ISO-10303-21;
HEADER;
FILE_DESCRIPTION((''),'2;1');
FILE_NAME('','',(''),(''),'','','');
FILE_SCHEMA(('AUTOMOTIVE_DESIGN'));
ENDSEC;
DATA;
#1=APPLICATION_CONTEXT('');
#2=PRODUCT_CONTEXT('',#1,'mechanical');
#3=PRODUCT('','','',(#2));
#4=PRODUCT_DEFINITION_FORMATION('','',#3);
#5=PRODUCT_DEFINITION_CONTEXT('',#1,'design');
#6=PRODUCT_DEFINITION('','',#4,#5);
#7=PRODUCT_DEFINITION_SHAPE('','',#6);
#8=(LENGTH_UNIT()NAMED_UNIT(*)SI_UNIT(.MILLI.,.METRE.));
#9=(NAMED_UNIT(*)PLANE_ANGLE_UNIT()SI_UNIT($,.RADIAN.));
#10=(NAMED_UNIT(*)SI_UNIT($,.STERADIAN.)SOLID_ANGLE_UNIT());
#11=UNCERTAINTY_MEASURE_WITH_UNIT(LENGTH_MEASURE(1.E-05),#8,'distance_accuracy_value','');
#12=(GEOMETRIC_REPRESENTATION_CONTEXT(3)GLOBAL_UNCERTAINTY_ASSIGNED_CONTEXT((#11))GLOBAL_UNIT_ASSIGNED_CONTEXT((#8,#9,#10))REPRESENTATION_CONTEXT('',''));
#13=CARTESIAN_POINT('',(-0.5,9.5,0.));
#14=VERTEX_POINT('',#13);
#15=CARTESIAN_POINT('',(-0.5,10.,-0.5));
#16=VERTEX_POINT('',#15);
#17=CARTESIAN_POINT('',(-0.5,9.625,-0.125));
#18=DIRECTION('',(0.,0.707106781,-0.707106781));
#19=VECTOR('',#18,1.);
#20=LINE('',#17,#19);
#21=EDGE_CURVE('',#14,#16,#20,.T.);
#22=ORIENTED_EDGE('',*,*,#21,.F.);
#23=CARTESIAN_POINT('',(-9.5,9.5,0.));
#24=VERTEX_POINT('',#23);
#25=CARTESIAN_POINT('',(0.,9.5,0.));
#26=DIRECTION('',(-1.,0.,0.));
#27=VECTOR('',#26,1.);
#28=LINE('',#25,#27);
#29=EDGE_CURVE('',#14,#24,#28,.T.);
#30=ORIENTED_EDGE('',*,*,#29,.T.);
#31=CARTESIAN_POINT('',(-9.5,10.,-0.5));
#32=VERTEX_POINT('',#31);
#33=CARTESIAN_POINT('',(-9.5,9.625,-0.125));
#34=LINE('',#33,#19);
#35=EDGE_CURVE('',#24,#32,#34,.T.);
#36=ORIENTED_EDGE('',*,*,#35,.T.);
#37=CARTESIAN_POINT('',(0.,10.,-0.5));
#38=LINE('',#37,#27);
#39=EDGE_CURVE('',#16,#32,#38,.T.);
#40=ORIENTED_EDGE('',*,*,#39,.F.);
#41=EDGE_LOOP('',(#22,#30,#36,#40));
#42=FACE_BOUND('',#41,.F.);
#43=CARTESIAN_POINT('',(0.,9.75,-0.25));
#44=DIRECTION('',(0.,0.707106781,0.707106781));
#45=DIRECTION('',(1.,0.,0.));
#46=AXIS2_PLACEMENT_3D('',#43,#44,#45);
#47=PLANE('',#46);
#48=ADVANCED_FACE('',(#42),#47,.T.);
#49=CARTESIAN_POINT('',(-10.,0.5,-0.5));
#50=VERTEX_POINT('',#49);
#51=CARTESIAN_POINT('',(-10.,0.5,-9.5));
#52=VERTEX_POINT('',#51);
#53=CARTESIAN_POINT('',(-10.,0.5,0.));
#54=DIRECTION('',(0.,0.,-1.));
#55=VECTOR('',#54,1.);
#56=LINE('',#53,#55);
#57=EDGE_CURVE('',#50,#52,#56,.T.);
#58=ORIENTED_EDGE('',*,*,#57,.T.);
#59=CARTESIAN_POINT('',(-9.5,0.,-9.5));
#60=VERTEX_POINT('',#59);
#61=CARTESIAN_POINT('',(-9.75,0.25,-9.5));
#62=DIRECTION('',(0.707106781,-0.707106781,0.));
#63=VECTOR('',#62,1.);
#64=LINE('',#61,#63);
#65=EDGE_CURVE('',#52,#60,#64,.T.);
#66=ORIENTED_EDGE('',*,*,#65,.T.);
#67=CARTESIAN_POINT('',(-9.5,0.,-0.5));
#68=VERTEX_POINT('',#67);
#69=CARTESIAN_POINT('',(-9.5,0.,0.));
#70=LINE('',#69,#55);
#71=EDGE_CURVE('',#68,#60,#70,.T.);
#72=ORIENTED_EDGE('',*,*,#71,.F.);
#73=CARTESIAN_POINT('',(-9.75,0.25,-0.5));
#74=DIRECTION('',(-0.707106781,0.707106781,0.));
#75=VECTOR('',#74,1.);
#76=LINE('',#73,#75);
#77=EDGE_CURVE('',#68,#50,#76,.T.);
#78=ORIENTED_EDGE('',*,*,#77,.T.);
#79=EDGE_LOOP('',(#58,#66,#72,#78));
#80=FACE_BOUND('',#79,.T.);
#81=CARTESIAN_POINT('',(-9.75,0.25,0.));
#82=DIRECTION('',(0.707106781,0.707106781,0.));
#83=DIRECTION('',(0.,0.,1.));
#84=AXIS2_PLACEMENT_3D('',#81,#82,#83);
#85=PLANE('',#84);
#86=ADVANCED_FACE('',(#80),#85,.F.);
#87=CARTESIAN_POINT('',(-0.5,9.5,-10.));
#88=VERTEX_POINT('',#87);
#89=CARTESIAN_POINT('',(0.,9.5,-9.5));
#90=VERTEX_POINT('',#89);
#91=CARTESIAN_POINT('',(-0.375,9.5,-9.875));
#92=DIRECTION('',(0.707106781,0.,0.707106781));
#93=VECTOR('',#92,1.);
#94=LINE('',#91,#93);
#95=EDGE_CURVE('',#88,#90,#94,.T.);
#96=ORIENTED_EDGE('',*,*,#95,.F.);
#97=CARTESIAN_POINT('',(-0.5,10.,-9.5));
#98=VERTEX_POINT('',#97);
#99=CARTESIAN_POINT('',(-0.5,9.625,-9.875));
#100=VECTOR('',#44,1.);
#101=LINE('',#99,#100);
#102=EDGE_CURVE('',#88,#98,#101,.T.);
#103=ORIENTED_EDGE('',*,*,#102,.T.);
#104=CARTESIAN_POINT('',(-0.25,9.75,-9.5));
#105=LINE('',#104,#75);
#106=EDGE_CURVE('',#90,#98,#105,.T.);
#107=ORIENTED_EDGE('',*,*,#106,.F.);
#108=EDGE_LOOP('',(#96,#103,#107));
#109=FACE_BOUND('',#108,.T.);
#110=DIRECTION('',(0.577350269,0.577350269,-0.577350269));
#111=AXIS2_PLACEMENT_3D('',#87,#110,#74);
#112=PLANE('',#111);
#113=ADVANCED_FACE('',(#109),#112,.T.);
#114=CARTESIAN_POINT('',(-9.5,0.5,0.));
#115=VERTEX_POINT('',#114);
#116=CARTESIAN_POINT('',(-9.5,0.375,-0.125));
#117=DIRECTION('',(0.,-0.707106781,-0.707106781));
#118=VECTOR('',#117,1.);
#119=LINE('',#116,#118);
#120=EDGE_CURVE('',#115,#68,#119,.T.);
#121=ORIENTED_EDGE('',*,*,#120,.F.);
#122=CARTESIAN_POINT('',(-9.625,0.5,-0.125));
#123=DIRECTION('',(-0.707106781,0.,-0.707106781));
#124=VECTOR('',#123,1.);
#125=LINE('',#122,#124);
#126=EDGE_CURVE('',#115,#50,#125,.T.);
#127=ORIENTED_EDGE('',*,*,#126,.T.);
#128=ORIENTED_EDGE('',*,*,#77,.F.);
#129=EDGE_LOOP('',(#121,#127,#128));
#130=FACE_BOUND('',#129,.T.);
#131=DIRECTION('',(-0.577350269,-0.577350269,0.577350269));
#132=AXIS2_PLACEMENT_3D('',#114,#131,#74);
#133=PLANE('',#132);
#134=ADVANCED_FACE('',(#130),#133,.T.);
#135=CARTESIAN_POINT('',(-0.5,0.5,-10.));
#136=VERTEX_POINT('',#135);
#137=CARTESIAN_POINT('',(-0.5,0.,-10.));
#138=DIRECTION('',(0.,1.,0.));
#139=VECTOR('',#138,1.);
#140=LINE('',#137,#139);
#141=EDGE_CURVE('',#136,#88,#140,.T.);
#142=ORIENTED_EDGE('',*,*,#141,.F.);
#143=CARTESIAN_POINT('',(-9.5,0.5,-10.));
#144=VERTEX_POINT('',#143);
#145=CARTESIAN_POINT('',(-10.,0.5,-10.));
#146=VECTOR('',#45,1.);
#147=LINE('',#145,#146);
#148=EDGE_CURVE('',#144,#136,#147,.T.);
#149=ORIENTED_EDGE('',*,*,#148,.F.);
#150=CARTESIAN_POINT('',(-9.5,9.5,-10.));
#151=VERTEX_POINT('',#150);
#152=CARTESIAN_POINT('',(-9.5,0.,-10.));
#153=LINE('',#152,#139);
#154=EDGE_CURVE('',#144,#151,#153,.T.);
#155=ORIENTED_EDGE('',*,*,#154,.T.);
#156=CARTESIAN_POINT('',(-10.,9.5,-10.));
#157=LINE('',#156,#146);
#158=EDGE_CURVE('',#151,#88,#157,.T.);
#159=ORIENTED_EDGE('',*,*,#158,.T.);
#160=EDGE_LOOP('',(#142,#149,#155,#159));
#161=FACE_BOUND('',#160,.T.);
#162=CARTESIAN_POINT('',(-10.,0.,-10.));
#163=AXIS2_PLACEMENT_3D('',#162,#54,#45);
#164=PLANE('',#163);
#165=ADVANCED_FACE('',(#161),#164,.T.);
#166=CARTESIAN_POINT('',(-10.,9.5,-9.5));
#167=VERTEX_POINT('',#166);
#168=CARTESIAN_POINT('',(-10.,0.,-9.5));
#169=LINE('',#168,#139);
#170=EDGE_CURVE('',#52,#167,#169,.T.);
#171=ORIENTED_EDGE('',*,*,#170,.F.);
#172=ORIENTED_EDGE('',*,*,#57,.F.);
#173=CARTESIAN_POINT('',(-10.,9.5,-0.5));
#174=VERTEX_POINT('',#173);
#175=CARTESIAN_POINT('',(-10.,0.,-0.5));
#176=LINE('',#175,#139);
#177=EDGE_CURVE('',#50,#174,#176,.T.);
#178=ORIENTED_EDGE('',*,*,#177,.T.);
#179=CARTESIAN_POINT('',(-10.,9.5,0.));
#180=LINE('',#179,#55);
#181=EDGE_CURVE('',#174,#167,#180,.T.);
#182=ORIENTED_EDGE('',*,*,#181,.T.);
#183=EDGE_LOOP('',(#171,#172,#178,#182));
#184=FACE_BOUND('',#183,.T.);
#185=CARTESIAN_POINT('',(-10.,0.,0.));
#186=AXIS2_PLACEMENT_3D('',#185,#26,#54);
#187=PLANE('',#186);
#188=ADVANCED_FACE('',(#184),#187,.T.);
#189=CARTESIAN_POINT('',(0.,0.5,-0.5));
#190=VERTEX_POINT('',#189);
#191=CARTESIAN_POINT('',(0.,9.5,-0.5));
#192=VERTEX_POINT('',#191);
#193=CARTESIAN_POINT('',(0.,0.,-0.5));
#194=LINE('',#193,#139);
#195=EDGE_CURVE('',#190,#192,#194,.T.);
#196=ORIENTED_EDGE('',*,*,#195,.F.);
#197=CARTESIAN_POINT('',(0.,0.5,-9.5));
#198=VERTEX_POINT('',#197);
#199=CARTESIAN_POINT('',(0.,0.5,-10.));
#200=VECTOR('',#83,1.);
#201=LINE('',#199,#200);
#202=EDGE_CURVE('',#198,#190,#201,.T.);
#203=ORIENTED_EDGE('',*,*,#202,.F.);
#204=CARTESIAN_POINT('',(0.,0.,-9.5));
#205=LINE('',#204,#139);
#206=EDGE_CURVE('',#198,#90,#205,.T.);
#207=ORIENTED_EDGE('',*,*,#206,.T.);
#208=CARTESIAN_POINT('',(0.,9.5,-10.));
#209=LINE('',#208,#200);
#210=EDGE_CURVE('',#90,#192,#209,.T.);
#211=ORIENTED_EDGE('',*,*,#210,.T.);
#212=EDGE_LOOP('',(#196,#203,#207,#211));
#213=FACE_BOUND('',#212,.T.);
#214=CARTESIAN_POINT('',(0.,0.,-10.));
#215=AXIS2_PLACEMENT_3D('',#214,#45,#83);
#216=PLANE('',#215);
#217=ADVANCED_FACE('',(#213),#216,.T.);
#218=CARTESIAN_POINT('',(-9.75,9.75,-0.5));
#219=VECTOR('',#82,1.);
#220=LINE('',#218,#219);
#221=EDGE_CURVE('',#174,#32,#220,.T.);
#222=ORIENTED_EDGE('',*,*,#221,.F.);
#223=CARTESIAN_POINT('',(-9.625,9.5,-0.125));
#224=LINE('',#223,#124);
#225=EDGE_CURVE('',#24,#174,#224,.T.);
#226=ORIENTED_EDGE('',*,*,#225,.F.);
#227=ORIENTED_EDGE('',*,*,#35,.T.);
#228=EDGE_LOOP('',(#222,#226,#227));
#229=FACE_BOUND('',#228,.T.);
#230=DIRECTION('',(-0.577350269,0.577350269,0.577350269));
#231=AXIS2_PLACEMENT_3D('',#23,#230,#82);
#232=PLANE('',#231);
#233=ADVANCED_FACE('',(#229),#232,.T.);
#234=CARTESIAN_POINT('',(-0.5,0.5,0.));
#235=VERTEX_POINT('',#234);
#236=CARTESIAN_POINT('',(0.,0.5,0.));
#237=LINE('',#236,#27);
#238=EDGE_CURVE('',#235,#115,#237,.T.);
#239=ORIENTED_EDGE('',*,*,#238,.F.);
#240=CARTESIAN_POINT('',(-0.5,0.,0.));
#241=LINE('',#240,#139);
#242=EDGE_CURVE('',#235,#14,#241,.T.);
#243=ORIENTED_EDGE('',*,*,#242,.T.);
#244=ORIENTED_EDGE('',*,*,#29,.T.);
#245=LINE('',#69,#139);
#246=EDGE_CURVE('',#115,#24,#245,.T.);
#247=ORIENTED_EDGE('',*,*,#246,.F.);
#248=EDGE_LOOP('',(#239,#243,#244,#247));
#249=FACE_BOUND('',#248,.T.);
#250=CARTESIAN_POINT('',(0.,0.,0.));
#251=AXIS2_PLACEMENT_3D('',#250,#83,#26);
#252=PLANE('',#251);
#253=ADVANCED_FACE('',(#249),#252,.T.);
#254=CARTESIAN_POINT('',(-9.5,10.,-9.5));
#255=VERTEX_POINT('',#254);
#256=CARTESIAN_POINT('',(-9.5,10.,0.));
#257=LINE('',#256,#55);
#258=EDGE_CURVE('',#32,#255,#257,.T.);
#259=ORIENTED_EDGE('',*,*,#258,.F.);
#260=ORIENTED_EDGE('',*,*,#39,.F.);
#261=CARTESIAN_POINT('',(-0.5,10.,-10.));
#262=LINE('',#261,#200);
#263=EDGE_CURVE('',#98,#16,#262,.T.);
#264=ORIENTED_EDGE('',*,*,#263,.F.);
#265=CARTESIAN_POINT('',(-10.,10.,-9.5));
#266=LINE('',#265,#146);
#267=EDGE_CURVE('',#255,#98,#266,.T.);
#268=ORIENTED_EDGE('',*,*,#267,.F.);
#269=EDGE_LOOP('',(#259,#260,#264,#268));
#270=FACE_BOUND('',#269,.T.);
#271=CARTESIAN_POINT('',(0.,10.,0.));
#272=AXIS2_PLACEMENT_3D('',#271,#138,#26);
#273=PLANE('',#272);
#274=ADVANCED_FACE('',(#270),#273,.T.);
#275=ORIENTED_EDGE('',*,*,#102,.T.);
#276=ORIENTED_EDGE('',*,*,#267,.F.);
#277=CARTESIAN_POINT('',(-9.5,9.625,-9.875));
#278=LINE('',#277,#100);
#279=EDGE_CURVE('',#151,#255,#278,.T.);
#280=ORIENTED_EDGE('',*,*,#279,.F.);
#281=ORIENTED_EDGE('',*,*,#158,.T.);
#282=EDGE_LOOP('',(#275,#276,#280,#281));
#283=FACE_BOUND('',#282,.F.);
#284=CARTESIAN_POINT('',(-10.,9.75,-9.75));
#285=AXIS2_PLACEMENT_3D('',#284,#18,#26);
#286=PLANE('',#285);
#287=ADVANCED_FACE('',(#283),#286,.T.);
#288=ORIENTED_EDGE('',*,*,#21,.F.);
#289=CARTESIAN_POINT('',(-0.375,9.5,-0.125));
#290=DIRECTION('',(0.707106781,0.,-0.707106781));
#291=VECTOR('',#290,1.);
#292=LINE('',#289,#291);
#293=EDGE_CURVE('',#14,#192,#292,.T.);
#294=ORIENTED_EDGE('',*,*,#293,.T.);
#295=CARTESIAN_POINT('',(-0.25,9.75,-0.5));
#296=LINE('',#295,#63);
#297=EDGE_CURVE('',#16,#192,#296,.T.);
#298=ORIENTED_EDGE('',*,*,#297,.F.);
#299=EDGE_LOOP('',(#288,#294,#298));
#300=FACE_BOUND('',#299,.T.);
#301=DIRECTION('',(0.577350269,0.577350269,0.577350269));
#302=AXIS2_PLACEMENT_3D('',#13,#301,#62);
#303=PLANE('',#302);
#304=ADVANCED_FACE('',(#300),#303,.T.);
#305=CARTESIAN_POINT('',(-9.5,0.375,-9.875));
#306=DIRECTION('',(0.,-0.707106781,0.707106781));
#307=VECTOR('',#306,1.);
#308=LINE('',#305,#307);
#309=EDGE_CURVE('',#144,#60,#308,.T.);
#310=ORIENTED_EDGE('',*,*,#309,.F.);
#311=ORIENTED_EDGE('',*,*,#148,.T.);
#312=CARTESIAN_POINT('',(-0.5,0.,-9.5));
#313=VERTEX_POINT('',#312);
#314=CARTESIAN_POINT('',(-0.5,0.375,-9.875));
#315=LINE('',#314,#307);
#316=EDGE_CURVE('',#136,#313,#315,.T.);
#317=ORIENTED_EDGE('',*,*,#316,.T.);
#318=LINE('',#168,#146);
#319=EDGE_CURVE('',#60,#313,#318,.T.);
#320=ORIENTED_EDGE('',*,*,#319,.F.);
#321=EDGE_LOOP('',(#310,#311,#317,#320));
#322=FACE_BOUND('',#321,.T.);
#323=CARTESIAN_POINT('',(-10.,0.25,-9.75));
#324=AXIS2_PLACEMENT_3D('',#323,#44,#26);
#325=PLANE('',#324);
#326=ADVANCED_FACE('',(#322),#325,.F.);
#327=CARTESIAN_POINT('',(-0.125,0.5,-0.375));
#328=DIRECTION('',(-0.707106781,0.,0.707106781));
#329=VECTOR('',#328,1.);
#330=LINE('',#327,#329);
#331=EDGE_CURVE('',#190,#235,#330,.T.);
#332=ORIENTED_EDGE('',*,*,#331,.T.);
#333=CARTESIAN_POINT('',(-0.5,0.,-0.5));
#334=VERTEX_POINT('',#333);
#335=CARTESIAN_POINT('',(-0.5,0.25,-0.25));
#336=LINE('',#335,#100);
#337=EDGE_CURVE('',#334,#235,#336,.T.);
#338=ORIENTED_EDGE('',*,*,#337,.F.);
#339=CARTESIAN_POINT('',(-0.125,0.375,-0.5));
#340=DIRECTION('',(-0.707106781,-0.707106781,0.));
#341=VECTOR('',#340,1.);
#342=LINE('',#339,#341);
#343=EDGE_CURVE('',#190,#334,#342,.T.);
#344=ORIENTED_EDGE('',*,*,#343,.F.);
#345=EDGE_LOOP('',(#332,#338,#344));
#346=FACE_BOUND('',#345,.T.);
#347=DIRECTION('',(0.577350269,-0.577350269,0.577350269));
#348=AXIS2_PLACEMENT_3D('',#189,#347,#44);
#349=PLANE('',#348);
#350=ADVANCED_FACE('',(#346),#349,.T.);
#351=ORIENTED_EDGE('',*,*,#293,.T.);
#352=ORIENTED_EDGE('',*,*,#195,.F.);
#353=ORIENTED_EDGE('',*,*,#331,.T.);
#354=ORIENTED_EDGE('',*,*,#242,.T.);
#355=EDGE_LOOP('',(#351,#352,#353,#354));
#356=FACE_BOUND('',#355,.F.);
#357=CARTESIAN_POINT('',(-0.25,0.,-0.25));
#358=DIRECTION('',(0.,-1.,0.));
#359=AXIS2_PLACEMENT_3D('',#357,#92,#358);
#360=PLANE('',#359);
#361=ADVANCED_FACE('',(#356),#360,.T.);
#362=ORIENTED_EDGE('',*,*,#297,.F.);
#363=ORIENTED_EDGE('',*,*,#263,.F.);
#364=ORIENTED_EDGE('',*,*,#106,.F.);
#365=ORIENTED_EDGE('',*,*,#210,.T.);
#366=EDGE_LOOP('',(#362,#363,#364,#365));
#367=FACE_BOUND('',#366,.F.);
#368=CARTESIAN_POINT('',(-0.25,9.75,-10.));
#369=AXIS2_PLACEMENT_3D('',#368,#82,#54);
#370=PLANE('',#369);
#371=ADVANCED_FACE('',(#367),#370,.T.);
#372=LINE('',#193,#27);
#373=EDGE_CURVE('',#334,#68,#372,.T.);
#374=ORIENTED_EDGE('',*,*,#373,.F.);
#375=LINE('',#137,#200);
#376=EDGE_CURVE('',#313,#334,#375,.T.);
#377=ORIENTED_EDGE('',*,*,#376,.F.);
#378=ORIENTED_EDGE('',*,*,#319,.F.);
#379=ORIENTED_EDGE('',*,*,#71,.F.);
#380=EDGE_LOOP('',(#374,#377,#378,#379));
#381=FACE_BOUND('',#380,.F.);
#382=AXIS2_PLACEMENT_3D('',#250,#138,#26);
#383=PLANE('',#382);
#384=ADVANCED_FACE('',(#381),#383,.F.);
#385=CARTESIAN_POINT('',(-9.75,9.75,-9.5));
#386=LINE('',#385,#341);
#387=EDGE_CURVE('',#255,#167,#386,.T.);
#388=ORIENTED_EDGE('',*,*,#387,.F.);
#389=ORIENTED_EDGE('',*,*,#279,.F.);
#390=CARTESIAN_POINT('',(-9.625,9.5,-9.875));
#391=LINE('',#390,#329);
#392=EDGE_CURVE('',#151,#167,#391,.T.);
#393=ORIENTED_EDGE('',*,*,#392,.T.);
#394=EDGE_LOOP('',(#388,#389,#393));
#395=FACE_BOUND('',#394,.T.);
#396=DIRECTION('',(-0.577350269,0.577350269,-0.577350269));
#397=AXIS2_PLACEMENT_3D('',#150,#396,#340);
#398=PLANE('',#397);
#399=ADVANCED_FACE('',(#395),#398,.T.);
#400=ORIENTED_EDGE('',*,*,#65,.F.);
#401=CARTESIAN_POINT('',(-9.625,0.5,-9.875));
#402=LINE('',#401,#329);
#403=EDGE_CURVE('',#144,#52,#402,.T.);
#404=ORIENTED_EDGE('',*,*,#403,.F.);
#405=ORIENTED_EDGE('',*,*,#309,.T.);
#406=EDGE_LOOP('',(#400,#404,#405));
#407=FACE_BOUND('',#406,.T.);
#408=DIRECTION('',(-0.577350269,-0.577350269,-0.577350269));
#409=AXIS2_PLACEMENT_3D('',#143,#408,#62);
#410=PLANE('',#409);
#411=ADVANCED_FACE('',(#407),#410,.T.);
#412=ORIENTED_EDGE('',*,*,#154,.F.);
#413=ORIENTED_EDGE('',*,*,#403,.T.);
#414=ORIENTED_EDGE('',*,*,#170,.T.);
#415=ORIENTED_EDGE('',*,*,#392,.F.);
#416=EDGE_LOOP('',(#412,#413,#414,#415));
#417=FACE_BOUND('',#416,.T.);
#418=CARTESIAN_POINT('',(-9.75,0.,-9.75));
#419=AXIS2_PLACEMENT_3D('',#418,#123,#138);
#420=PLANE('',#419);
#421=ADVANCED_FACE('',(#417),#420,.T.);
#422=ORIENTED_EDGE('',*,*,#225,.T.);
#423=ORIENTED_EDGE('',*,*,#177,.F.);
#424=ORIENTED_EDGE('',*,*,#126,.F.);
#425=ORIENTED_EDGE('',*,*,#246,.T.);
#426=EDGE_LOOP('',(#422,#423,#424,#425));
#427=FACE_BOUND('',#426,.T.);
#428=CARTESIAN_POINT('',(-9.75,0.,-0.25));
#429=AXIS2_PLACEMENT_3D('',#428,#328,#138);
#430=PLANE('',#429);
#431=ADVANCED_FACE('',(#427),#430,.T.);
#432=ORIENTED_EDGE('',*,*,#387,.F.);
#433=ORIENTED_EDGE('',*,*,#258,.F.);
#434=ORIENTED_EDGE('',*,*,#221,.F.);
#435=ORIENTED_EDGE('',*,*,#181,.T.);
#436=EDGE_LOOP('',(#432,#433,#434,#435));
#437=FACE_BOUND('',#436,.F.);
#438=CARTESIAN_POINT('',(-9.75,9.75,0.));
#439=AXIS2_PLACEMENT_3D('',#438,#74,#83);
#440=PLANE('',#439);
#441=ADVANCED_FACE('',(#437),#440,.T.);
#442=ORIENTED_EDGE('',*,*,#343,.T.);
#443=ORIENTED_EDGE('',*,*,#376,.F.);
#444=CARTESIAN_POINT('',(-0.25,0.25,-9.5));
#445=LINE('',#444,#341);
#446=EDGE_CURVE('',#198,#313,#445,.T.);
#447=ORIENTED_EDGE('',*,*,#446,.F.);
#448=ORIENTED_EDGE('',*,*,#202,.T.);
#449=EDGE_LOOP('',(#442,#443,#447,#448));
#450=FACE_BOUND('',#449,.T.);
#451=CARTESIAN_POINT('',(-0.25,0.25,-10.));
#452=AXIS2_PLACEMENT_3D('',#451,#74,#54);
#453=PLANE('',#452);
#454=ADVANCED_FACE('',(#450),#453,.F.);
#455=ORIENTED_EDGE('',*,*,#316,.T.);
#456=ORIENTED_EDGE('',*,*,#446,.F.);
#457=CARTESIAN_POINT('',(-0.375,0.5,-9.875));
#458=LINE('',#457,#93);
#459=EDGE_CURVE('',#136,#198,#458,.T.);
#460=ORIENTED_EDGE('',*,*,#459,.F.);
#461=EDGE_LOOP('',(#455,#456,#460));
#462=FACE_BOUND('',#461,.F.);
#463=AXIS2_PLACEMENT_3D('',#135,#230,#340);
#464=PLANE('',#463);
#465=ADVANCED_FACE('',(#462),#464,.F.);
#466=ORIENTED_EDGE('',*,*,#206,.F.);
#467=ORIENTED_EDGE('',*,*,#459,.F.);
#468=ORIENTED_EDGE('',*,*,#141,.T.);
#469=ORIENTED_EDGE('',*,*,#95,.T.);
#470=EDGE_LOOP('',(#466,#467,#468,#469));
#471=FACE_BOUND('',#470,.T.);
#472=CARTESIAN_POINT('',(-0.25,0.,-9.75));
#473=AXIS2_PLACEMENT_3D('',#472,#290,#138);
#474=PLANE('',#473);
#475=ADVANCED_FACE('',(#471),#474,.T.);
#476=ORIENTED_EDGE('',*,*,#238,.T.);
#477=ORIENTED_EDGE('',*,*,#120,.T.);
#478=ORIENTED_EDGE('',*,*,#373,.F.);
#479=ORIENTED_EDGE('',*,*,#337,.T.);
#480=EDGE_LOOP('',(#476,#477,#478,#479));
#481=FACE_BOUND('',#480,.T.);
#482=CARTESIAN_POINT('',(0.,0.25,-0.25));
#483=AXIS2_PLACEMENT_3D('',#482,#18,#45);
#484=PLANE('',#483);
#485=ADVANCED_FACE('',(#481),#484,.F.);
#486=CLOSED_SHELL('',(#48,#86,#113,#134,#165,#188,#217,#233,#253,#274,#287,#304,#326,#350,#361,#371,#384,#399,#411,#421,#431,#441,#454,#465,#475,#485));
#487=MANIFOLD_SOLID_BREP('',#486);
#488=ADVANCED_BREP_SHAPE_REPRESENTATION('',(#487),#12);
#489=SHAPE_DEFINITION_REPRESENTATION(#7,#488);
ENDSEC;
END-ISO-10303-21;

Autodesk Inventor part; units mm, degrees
ref_plane "YZ Plane" through (0, 0, 0) normal (1, 0, 0) x (0, 1, 0)
ref_plane "XZ Plane" through (0, 0, 0) normal (0, 1, 0) x (-1, 0, 0)
ref_plane "XY Plane" through (0, 0, 0) normal (0, 0, 1) x (1, 0, 0)
sketch "Sketch1" plane through (0, 0, 0) normal (0, 1, 0) x (-1, 0, 0)
  line L0 (0, 0) -> (10, 0)
  line L1 (10, 0) -> (10, -10)
  line L2 (10, -10) -> (0, -10)
  line L3 (0, -10) -> (0, 0)
  dimension "d0" = 10
  dimension "d1" = 10
extrude "Extrusion1" add sketch "Sketch1" along normal blind 10
chamfer "Chamfer1" distance 0.5 angle 45 12 edges at (-10, 10, -5) (-10, 0, -5) (-5, 0, 0) (0, 10, -5) (0, 0, -5) (0, 5, -10) (-5, 10, -10) (-10, 5, -10) (-5, 0, -10) (-10, 5, 0) (-5, 10, 0) (0, 5, 0)
properties part number "cube"
